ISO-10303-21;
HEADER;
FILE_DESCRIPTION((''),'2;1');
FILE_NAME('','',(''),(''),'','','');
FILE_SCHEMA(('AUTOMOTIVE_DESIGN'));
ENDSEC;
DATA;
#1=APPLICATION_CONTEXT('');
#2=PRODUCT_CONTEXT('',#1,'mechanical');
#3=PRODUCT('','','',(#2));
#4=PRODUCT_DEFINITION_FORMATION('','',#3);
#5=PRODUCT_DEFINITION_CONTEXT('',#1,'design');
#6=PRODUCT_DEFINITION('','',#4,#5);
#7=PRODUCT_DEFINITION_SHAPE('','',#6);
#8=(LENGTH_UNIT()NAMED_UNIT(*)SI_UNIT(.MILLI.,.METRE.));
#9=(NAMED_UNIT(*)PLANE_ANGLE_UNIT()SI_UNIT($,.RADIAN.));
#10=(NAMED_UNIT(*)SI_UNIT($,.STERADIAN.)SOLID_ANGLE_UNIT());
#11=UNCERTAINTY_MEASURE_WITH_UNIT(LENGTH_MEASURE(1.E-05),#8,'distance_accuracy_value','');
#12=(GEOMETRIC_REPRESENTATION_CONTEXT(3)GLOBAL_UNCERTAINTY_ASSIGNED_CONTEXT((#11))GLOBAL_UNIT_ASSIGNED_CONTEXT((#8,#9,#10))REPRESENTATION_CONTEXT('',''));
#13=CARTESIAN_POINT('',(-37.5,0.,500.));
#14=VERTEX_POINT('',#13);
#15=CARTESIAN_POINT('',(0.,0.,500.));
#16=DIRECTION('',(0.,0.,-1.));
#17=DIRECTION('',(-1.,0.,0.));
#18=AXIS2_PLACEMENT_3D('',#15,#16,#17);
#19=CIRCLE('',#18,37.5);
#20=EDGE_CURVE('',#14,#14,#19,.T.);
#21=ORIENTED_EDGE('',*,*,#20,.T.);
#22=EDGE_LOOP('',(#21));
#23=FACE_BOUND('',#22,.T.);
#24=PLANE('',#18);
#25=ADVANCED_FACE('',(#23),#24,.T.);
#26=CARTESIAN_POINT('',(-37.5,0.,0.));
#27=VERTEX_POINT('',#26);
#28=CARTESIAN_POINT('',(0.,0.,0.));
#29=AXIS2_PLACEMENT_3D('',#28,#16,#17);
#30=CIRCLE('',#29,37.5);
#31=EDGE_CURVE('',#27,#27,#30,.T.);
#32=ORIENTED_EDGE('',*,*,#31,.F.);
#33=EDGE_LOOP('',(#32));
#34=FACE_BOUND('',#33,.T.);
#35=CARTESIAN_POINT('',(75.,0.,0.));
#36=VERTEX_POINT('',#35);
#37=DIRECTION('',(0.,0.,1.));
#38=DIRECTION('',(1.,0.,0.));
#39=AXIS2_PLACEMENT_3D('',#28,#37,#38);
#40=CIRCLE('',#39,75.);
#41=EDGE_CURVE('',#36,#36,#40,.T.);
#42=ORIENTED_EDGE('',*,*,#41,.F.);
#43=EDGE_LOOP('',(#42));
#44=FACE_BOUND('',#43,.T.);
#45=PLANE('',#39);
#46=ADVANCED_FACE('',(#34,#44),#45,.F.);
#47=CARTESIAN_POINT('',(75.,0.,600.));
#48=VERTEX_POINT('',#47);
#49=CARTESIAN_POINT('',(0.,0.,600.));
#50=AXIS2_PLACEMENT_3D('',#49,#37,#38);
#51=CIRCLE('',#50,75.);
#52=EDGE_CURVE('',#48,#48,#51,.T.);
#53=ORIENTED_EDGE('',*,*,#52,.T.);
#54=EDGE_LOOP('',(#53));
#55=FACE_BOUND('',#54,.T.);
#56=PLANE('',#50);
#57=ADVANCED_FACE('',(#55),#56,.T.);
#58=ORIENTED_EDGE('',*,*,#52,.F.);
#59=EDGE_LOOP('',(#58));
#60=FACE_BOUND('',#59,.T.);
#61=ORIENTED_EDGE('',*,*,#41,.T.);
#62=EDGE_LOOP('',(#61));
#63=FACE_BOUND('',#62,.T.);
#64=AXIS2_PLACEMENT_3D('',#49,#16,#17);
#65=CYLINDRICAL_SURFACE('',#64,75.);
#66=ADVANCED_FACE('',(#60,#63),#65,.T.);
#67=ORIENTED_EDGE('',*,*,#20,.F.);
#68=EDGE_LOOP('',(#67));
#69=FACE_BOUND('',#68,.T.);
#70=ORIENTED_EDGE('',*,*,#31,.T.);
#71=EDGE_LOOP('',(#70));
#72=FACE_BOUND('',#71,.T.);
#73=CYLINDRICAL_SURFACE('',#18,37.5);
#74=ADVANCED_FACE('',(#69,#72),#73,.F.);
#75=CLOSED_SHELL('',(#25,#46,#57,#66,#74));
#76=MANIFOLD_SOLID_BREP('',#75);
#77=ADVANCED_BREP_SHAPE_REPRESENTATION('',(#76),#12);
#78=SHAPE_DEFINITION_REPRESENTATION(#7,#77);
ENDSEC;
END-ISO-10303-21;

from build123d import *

# Parameters (mm, degrees)
SKETCH1_R           = 75
BOSS_EXTRUDE1_DEPTH = 600
SKETCH2_R           = 37.5
CUT_EXTRUDE1_DEPTH  = 500


with BuildPart() as part:
    # Sketch1 → Boss-Extrude1 (new body)
    with BuildSketch(Plane.XY):
        Circle(SKETCH1_R)
    extrude(amount=BOSS_EXTRUDE1_DEPTH)

    # Sketch2 → Cut-Extrude1 (cut)
    with BuildSketch(Plane(origin=(0, 0, 0), x_dir=(-1, 0, 0), z_dir=(0, 0, -1))):
        Circle(SKETCH2_R)
    extrude(amount=-CUT_EXTRUDE1_DEPTH, mode=Mode.SUBTRACT)


solid = part.part
